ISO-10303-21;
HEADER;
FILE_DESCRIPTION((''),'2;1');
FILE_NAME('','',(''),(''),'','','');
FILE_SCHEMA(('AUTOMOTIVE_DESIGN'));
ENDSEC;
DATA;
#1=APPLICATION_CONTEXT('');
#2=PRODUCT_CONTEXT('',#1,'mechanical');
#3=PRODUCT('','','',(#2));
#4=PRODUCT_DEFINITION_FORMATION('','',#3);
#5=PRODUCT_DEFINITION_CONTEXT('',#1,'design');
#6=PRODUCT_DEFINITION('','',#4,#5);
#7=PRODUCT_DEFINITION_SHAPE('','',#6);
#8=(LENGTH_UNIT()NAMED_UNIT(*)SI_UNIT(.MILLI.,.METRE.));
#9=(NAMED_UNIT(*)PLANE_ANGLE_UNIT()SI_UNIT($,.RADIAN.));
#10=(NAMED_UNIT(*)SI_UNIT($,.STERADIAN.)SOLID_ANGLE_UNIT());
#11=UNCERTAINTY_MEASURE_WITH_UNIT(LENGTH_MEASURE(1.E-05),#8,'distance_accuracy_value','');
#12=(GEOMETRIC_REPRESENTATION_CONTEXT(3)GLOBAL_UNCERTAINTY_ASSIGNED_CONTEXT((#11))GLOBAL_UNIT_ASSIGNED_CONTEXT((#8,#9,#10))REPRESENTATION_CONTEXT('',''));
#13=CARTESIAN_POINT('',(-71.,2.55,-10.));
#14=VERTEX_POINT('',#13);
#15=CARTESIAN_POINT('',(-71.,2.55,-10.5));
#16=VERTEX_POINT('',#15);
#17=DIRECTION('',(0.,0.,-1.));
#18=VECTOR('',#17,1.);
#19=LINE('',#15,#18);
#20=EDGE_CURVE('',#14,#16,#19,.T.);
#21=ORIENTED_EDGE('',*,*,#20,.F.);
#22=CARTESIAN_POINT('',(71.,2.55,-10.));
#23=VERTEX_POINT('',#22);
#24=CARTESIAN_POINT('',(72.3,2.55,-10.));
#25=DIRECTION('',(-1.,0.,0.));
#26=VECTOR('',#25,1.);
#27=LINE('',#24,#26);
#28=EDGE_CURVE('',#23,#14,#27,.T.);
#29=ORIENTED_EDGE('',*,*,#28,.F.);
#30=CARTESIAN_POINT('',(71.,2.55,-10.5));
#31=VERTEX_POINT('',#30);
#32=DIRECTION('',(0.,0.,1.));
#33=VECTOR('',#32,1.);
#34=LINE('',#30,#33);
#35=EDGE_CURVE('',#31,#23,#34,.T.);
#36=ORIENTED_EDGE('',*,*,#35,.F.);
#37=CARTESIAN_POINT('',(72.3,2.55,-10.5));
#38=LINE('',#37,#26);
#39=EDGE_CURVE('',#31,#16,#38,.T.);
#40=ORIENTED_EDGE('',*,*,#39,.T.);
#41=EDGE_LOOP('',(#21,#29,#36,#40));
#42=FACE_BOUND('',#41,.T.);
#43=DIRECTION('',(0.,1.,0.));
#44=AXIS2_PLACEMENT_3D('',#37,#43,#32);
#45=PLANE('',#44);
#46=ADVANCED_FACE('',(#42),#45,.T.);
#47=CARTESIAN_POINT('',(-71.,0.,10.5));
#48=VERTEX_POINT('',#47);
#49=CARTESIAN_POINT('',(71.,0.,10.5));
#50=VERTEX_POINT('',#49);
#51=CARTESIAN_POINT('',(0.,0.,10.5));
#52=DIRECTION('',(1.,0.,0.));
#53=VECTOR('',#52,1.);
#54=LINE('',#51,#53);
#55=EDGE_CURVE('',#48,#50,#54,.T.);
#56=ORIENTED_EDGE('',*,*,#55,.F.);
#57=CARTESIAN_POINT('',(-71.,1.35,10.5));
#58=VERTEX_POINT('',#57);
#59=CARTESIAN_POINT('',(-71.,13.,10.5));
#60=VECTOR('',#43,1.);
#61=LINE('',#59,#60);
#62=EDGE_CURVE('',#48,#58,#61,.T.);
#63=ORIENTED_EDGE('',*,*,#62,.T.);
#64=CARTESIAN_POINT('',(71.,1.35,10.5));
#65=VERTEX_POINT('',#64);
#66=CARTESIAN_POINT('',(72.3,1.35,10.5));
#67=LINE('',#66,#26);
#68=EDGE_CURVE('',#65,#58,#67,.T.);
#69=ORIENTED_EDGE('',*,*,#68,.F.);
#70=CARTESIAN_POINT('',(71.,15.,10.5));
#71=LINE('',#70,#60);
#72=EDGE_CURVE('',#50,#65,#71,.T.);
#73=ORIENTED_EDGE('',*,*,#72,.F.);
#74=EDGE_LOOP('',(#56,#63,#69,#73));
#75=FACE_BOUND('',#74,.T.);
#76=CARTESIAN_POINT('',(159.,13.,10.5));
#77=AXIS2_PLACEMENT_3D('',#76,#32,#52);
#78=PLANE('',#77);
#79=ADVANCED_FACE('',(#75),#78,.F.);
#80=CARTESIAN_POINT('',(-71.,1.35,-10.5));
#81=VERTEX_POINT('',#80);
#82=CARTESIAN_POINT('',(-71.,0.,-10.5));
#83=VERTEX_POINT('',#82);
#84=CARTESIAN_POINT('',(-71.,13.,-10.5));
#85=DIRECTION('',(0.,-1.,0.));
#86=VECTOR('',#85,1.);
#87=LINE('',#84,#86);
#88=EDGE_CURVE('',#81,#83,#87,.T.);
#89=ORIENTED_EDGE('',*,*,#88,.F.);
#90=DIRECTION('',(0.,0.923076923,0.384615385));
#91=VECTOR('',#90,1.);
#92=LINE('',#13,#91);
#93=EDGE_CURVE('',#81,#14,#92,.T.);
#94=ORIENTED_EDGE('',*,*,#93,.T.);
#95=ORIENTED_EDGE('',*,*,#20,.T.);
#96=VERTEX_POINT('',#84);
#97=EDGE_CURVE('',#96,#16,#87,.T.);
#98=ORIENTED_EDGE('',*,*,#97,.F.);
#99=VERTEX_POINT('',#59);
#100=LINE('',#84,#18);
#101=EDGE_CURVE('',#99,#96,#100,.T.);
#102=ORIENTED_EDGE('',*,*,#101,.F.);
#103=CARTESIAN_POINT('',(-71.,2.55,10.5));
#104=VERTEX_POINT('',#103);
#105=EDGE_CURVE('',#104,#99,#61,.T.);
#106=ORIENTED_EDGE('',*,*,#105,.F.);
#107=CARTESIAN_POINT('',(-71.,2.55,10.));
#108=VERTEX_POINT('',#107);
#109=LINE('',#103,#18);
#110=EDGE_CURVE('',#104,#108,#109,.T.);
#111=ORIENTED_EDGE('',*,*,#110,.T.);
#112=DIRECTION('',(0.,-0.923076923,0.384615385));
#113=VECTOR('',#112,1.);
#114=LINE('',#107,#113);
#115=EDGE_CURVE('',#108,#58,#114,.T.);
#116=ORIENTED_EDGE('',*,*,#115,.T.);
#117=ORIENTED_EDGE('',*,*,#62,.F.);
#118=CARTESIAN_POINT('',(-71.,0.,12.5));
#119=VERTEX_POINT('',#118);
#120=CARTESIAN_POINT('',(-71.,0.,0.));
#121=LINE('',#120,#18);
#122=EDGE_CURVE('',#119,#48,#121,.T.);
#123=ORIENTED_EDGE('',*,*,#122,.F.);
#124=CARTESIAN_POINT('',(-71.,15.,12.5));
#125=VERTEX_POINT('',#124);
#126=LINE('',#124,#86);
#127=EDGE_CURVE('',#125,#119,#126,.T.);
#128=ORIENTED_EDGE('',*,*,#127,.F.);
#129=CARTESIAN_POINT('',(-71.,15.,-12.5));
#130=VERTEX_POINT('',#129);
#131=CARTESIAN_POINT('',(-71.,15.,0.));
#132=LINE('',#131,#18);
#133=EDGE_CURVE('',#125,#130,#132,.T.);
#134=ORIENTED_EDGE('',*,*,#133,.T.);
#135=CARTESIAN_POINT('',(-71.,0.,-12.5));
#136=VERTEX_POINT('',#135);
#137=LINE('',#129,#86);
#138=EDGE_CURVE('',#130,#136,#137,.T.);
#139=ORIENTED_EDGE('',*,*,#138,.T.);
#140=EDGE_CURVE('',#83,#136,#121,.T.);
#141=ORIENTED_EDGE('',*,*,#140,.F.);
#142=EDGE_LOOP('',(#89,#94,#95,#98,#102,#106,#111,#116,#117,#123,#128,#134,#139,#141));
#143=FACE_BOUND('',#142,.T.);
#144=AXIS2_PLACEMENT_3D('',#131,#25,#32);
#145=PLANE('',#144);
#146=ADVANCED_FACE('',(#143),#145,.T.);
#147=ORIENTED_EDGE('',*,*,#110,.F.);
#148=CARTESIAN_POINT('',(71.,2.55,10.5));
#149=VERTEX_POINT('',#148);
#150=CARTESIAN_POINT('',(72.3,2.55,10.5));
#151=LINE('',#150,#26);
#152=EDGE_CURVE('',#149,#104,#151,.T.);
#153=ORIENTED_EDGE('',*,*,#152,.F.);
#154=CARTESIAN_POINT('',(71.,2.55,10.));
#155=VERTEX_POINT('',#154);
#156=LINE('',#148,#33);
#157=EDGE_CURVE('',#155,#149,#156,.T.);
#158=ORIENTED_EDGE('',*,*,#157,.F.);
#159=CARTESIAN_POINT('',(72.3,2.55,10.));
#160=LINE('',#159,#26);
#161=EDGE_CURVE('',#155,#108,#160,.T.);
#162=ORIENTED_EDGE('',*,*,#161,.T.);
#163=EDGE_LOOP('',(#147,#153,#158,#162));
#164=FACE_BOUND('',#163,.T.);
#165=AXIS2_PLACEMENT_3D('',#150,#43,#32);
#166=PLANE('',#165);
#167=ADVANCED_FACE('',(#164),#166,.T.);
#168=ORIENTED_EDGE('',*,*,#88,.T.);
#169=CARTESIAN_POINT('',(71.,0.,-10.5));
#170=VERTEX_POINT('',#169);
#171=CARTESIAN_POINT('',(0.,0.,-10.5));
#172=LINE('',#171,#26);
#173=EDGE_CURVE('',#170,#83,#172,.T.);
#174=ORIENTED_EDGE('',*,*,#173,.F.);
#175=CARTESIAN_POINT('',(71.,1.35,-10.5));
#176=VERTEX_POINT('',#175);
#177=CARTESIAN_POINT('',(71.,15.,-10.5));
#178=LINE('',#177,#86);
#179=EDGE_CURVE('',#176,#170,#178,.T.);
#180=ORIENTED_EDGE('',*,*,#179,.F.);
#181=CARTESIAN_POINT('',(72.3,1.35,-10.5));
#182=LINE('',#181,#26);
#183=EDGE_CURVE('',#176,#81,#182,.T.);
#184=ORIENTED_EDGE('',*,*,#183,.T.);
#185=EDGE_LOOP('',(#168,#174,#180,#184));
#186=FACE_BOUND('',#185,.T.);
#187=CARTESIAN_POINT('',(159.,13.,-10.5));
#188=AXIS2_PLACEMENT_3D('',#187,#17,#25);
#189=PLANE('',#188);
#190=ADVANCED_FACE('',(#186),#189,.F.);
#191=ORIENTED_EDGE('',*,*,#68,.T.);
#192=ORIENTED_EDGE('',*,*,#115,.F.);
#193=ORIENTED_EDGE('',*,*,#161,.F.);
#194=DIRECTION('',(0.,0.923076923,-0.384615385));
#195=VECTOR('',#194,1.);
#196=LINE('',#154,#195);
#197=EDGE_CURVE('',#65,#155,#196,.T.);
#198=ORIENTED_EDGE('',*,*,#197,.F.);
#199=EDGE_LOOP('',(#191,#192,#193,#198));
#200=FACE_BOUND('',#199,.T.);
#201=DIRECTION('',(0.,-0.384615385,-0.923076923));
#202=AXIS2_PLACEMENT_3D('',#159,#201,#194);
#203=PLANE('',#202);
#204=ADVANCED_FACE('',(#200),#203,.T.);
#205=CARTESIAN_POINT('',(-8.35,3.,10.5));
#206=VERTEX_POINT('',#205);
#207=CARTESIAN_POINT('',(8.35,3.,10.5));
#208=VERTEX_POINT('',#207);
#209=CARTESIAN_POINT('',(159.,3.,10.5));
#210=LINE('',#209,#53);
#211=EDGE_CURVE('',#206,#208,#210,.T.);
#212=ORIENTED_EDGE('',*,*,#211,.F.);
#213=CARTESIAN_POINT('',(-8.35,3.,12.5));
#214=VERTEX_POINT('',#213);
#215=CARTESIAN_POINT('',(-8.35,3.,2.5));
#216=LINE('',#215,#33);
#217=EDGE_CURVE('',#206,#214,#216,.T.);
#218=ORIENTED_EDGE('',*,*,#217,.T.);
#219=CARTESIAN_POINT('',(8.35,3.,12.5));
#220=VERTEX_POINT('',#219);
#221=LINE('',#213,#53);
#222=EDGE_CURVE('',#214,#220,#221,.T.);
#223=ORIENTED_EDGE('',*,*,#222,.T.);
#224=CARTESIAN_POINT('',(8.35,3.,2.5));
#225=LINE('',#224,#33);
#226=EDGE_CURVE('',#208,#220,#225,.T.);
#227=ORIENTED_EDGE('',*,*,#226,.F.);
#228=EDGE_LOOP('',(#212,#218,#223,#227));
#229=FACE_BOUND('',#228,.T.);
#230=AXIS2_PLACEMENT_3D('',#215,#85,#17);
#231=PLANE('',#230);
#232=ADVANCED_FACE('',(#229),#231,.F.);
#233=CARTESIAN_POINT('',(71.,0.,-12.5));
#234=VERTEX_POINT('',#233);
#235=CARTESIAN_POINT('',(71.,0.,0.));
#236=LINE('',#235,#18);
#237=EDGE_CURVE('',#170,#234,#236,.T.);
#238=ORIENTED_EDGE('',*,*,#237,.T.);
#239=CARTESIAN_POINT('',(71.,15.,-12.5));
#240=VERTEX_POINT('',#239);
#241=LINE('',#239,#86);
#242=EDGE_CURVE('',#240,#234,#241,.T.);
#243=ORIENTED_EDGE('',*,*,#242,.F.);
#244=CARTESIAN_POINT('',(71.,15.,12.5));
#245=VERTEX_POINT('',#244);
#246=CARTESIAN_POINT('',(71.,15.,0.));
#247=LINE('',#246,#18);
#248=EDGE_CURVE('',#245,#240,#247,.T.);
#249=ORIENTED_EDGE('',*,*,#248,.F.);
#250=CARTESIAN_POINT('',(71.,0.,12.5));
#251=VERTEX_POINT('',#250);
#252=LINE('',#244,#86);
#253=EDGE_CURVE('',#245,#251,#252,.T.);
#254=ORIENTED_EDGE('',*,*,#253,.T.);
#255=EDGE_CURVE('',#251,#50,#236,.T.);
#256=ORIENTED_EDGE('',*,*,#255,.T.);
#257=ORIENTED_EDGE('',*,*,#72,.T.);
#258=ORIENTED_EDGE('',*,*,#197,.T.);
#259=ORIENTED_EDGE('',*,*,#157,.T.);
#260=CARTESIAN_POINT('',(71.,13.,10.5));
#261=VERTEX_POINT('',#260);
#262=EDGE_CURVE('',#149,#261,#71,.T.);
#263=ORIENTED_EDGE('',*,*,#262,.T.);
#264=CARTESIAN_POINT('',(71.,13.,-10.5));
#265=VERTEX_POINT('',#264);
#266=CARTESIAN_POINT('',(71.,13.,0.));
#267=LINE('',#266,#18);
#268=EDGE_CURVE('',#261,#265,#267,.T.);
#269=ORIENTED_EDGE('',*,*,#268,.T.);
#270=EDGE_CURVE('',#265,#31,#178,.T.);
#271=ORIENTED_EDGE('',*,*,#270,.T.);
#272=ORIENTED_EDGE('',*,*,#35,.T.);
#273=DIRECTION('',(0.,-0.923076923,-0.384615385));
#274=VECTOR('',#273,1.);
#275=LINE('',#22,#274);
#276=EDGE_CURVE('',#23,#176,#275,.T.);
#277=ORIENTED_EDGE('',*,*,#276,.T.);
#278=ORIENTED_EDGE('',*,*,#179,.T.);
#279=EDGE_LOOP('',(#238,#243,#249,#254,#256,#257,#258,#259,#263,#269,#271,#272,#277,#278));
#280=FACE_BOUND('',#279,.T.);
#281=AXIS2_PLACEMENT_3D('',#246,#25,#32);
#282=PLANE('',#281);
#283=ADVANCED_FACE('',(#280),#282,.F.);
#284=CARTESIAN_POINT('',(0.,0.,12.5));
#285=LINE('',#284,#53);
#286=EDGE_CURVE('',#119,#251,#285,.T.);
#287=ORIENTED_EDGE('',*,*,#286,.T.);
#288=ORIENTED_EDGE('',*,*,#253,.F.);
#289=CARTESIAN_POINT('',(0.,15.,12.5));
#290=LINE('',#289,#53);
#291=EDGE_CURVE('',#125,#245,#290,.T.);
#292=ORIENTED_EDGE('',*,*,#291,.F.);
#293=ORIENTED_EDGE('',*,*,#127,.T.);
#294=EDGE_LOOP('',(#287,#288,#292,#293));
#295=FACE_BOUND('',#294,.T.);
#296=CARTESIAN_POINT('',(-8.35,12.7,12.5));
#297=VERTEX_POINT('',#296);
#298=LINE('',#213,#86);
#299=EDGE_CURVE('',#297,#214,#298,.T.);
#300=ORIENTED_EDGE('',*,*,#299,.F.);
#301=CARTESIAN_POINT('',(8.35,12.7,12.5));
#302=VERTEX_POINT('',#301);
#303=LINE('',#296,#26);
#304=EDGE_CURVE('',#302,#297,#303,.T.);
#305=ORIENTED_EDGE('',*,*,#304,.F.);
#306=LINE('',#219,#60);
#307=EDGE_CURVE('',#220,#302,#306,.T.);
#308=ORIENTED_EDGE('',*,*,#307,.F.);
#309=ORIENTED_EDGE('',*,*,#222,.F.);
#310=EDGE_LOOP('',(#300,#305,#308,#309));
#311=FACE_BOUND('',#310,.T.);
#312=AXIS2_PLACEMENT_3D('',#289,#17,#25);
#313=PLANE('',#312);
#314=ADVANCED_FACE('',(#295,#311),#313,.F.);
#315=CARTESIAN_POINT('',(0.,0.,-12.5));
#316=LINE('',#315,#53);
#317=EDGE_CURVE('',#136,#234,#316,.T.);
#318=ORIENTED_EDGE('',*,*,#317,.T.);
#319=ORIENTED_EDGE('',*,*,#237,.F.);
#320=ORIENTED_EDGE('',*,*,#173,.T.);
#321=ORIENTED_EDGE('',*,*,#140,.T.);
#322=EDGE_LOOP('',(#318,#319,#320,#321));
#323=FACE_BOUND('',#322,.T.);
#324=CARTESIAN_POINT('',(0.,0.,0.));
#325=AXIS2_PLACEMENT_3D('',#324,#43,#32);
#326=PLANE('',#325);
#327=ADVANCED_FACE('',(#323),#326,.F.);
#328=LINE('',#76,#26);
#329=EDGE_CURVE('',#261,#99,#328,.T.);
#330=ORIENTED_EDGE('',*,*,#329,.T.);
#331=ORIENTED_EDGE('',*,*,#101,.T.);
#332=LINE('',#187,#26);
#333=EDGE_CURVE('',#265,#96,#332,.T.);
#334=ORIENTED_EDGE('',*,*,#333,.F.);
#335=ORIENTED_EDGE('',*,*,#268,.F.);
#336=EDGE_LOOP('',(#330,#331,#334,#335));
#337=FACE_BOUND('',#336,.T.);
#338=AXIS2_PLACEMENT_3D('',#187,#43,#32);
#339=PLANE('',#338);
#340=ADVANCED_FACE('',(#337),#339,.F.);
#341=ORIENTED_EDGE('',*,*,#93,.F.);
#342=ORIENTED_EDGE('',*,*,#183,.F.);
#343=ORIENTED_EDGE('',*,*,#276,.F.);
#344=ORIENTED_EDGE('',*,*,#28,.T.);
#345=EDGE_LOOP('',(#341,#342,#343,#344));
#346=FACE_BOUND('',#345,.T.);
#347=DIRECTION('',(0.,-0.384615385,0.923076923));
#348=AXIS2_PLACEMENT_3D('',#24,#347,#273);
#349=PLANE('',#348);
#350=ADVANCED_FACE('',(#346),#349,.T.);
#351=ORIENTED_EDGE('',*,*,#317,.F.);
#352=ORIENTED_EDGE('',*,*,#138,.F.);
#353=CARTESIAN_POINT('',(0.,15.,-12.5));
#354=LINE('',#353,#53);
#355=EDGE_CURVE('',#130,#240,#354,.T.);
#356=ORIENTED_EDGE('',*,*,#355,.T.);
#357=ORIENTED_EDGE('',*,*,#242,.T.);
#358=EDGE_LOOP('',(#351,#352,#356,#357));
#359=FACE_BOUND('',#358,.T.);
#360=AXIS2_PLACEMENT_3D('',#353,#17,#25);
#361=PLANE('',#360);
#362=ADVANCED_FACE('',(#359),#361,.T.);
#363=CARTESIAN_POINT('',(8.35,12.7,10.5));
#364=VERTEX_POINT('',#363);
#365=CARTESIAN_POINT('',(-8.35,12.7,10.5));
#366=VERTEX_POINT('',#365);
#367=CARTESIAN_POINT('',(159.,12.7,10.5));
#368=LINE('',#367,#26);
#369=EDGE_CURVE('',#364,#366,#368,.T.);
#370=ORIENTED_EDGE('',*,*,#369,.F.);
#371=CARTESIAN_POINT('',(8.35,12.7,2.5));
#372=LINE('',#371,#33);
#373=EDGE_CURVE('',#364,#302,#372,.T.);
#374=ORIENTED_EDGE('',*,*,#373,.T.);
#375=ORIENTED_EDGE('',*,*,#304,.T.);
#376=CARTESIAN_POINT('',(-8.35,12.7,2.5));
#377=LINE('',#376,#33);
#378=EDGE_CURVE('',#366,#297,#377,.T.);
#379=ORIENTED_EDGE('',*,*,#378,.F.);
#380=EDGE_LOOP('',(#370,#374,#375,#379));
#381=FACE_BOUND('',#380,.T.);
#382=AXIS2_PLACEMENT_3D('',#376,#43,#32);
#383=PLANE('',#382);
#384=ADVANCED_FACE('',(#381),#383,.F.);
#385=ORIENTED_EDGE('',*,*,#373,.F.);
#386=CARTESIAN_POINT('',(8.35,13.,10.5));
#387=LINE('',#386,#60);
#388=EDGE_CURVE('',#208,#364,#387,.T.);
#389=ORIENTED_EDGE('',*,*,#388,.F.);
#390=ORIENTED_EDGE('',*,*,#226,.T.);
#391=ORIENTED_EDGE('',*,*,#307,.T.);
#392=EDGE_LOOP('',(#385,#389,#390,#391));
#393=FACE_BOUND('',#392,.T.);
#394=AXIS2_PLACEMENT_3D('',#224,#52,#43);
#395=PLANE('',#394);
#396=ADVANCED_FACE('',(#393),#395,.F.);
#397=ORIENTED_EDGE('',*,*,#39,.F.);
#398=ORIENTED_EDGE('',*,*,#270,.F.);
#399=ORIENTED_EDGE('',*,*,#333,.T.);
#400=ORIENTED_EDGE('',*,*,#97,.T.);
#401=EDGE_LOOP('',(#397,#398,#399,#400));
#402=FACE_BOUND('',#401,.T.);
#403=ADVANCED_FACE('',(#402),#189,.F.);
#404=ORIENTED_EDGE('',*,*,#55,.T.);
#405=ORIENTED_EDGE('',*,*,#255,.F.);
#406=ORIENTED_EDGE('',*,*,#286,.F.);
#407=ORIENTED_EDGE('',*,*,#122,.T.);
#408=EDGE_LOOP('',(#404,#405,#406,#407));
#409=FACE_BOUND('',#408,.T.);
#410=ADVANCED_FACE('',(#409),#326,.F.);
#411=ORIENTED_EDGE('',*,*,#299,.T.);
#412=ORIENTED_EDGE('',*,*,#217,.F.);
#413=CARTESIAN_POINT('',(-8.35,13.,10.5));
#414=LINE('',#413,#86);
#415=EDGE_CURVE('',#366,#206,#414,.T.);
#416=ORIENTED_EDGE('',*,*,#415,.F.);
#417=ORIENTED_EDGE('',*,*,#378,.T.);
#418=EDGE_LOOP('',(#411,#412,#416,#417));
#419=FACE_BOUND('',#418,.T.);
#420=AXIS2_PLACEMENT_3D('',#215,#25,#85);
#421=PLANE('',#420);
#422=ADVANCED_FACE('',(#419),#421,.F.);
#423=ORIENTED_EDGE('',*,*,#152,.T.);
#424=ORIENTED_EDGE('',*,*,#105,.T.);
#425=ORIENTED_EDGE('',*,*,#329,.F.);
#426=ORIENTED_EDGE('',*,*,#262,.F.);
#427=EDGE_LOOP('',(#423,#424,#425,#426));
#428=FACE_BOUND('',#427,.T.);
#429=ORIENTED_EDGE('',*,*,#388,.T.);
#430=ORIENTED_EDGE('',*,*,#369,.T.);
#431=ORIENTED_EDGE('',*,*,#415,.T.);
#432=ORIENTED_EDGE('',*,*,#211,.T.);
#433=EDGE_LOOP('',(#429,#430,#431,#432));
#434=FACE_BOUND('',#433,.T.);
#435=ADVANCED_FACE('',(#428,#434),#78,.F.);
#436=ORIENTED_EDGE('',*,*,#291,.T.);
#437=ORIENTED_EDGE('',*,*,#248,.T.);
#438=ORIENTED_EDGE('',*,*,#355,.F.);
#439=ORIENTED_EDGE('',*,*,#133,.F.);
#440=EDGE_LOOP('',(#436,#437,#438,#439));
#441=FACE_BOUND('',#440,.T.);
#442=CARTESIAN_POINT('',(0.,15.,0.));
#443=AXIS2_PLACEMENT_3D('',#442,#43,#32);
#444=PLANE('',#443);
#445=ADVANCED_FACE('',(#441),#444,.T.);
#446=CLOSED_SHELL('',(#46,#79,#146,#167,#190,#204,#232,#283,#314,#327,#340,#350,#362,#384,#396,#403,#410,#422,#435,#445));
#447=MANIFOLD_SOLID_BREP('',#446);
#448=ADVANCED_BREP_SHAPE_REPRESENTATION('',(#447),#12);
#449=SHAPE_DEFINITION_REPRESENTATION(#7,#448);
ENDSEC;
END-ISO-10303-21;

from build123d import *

# Parameters (mm, degrees)
CROQUIS1_W              = 142
CROQUIS1_H              = 20.7
CROQUIS1_H_2            = 2.15
SALIENTE_EXTRUIR1_DEPTH = 15
CROQUIS2_W              = 21
CROQUIS2_H              = 13
CORTAR_EXTRUIR1_DEPTH   = 230
SALIENTE_EXTRUIR4_DEPTH = 142
CROQUIS12_W             = 16.7
CROQUIS12_H             = 9.7
CORTAR_EXTRUIR2_DEPTH   = 10


with BuildPart() as part:
    # Croquis1 → Saliente-Extruir1 (new body)
    with BuildSketch(Plane(origin=(0, 0, 0), x_dir=(1, 0, 0), z_dir=(0, 1, 0))):
        Rectangle(CROQUIS1_W, CROQUIS1_H)
        with Locations((0, 11.425)):
            Rectangle(CROQUIS1_W, CROQUIS1_H_2)
        with Locations((0, -11.425)):
            Rectangle(CROQUIS1_W, CROQUIS1_H_2)
    extrude(amount=SALIENTE_EXTRUIR1_DEPTH)

    # Croquis2 → Cortar-Extruir1 (cut)
    with BuildSketch(Plane.ZY.offset(71)):
        with Locations((0, 6.5)):
            Rectangle(CROQUIS2_W, CROQUIS2_H)
    extrude(amount=-CORTAR_EXTRUIR1_DEPTH, mode=Mode.SUBTRACT)

    # Croquis11 → Saliente-Extruir4 (add)
    with BuildSketch(Plane.ZY.offset(71)):
        Polygon((-10.5, 1.35), (-10.5, 2.55), (-10, 2.55), align=None)
        Polygon((10, 2.55), (10.5, 1.35), (10.5, 2.55), align=None)
    extrude(amount=-SALIENTE_EXTRUIR4_DEPTH)

    # Croquis12 → Cortar-Extruir2 (cut)
    with BuildSketch(Plane.XY.offset(12.5)):
        with Locations((0, 7.85)):
            Rectangle(CROQUIS12_W, CROQUIS12_H)
    extrude(amount=-CORTAR_EXTRUIR2_DEPTH, mode=Mode.SUBTRACT)


solid = part.part
